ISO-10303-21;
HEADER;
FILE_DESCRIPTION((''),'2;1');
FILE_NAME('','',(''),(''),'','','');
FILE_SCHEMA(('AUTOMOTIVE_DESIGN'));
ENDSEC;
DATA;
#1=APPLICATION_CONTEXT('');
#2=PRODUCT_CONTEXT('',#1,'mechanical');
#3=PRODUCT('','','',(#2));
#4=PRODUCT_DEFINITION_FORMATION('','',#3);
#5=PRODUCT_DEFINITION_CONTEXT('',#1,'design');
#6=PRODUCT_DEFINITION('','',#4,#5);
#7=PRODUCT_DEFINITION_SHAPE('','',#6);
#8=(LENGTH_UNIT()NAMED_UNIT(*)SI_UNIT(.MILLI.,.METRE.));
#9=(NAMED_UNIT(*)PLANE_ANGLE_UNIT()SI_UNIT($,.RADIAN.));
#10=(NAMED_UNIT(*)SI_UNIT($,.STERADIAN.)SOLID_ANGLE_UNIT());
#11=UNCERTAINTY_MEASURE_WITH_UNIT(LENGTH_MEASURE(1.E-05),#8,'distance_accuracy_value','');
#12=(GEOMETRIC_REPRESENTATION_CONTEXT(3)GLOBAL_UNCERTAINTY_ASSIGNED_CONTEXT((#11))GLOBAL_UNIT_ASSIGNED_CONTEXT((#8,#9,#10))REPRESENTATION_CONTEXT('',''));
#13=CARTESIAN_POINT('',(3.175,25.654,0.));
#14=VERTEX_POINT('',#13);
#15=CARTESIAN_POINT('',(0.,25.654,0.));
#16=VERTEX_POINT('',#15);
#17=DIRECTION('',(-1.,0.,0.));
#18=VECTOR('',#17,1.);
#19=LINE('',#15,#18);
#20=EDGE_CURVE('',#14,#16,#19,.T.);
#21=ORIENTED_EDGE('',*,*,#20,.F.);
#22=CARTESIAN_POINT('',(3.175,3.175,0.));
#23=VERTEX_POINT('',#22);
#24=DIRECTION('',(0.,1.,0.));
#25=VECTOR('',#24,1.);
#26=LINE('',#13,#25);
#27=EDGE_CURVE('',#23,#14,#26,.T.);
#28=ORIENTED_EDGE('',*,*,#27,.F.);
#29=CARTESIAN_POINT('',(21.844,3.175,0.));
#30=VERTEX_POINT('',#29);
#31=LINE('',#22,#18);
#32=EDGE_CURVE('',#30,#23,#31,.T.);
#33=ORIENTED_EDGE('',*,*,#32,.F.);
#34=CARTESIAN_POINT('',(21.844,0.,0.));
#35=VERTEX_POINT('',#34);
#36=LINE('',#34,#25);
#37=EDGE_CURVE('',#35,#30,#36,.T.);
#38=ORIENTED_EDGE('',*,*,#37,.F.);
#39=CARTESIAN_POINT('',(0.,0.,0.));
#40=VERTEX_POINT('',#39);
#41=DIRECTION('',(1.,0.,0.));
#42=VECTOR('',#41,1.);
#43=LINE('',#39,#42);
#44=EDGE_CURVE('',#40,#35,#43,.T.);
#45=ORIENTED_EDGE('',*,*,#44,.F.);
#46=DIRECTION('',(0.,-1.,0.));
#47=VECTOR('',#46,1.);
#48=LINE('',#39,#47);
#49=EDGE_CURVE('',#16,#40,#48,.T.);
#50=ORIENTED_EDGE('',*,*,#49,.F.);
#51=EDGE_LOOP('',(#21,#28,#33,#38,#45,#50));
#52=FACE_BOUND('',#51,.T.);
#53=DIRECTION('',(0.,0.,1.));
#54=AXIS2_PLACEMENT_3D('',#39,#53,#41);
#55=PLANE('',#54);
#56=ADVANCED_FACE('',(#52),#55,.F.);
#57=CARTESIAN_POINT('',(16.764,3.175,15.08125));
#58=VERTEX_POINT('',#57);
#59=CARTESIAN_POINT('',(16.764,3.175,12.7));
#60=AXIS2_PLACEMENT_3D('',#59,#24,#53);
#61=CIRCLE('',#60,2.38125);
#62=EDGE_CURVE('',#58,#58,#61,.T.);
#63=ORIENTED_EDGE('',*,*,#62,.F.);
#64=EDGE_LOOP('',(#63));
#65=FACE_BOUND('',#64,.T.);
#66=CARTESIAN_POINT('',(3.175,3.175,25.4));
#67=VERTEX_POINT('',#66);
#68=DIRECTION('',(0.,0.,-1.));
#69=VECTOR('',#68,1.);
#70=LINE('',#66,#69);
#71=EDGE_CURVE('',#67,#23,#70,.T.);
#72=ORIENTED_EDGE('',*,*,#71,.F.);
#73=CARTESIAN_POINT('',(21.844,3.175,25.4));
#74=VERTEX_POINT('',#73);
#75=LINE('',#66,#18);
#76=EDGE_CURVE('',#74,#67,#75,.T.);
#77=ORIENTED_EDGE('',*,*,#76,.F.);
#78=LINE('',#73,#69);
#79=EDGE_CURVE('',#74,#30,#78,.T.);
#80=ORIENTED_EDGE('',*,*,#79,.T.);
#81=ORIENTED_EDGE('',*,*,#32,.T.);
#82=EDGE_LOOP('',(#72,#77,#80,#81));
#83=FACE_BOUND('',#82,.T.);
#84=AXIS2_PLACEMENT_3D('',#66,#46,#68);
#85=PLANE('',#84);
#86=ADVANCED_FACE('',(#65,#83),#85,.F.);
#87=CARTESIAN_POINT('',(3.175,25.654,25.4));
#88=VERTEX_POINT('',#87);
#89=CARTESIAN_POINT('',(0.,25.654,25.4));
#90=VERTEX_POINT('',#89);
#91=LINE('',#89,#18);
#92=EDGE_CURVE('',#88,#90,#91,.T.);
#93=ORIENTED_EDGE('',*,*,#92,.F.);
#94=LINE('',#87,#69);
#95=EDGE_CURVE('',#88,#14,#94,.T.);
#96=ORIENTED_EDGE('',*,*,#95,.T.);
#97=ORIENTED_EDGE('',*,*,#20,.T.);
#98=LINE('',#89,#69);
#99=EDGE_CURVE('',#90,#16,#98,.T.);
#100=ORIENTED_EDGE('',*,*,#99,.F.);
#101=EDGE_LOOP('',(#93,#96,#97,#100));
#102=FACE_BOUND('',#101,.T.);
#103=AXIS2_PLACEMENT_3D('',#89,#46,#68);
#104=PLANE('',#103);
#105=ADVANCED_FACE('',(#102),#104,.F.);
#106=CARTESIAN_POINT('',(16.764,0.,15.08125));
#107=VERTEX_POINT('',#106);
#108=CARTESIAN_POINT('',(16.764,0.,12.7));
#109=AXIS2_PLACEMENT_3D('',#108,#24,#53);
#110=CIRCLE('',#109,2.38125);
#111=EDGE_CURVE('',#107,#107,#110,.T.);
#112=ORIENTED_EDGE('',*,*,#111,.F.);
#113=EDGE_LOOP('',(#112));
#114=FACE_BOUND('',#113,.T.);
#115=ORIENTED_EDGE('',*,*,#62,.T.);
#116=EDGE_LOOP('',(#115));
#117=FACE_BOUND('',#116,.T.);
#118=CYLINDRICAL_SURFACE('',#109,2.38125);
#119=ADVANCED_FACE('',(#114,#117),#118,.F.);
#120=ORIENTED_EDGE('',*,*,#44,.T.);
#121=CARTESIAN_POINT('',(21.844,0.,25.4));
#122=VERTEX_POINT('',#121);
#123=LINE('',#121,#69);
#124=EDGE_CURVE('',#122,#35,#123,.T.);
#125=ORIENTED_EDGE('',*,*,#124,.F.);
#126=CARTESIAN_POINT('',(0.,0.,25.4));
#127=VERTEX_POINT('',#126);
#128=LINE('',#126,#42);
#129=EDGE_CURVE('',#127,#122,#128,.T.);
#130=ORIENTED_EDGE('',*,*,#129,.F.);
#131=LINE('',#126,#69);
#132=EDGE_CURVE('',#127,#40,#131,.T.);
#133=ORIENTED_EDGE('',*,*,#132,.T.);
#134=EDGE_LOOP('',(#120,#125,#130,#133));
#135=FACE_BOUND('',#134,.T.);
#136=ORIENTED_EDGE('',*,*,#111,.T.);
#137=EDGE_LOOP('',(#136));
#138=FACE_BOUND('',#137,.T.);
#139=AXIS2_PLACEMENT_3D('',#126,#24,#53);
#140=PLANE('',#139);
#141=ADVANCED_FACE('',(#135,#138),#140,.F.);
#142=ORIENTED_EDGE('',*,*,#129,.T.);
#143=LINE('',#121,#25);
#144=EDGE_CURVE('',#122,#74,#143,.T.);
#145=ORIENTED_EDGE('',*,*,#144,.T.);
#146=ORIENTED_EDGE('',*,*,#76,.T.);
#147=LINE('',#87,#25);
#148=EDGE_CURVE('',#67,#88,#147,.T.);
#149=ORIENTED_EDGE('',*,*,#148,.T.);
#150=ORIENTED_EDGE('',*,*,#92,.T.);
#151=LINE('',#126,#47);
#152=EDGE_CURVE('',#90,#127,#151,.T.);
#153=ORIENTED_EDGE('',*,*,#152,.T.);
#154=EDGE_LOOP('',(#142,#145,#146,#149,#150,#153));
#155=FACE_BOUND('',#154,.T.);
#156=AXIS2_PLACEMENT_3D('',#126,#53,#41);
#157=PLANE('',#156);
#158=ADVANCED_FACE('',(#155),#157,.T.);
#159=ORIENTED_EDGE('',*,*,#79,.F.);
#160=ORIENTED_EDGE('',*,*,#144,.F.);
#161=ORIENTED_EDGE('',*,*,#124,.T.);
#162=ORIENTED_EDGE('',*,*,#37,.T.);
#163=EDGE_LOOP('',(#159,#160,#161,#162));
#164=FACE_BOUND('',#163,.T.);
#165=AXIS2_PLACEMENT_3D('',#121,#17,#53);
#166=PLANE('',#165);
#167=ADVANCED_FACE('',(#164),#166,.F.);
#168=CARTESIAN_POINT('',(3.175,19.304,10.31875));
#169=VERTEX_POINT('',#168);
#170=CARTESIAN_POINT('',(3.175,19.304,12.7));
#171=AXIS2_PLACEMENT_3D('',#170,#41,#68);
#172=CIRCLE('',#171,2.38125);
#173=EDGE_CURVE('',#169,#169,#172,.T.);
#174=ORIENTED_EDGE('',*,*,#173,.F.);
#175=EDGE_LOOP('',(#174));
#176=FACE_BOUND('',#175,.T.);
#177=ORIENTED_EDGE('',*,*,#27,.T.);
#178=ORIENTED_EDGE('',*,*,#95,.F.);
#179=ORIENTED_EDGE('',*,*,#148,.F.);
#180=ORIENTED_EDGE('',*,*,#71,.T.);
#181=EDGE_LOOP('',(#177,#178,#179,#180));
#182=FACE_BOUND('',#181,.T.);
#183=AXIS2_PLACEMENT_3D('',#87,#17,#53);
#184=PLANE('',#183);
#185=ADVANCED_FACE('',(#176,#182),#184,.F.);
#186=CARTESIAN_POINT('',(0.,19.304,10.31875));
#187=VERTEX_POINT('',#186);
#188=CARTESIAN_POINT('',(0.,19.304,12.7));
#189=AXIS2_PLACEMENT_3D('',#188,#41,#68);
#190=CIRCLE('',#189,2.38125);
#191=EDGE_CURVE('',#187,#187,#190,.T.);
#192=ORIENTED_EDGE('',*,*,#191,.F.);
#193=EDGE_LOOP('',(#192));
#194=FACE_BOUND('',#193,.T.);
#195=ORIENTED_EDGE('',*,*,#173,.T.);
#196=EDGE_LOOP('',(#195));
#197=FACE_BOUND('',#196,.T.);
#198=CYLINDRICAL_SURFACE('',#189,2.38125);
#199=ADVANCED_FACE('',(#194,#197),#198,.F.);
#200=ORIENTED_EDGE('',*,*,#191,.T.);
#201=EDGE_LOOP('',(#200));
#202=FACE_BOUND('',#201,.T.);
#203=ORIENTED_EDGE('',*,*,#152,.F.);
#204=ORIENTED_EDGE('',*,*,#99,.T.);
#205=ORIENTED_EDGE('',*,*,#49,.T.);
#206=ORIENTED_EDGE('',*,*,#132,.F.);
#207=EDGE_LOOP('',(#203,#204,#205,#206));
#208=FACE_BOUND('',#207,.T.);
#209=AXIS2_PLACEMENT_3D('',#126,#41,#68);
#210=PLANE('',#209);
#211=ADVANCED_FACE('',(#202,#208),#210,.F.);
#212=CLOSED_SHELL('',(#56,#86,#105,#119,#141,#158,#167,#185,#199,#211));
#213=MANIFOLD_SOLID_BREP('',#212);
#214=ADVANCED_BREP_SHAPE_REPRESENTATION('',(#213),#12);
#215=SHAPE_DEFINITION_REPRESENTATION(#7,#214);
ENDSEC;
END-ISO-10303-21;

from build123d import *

# Parameters (mm, degrees)
BOSS_EXTRUDE1_DEPTH = 25.4
SKETCH2_R           = 2.38125
CUT_EXTRUDE1_DEPTH  = 41.642579606
SKETCH3_R           = 2.38125
CUT_EXTRUDE2_DEPTH  = 41.343844351


with BuildPart() as part:
    # Sketch1 → Boss-Extrude1 (new body)
    with BuildSketch(Plane.XY):
        Polygon((0, 0), (0, 25.654), (3.175, 25.654), (3.175, 3.175), (21.844, 3.175), (21.844, 0), align=None)
    extrude(amount=BOSS_EXTRUDE1_DEPTH)

    # Sketch2 → Cut-Extrude1 (cut, through all)
    with BuildSketch(Plane(origin=(3.175, 0, 0), x_dir=(0, 0, -1), z_dir=(1, 0, 0))):
        with Locations((-12.7, 19.304)):
            Circle(SKETCH2_R)
    extrude(amount=-CUT_EXTRUDE1_DEPTH, mode=Mode.SUBTRACT)

    # Sketch3 → Cut-Extrude2 (cut, through all)
    with BuildSketch(Plane(origin=(0, 3.175, 0), x_dir=(1, 0, 0), z_dir=(0, 1, 0))):
        with Locations(Location((16.764, -12.7, 0), (0, 0, 270))):
            Circle(SKETCH3_R)
    extrude(amount=-CUT_EXTRUDE2_DEPTH, mode=Mode.SUBTRACT)


solid = part.part
